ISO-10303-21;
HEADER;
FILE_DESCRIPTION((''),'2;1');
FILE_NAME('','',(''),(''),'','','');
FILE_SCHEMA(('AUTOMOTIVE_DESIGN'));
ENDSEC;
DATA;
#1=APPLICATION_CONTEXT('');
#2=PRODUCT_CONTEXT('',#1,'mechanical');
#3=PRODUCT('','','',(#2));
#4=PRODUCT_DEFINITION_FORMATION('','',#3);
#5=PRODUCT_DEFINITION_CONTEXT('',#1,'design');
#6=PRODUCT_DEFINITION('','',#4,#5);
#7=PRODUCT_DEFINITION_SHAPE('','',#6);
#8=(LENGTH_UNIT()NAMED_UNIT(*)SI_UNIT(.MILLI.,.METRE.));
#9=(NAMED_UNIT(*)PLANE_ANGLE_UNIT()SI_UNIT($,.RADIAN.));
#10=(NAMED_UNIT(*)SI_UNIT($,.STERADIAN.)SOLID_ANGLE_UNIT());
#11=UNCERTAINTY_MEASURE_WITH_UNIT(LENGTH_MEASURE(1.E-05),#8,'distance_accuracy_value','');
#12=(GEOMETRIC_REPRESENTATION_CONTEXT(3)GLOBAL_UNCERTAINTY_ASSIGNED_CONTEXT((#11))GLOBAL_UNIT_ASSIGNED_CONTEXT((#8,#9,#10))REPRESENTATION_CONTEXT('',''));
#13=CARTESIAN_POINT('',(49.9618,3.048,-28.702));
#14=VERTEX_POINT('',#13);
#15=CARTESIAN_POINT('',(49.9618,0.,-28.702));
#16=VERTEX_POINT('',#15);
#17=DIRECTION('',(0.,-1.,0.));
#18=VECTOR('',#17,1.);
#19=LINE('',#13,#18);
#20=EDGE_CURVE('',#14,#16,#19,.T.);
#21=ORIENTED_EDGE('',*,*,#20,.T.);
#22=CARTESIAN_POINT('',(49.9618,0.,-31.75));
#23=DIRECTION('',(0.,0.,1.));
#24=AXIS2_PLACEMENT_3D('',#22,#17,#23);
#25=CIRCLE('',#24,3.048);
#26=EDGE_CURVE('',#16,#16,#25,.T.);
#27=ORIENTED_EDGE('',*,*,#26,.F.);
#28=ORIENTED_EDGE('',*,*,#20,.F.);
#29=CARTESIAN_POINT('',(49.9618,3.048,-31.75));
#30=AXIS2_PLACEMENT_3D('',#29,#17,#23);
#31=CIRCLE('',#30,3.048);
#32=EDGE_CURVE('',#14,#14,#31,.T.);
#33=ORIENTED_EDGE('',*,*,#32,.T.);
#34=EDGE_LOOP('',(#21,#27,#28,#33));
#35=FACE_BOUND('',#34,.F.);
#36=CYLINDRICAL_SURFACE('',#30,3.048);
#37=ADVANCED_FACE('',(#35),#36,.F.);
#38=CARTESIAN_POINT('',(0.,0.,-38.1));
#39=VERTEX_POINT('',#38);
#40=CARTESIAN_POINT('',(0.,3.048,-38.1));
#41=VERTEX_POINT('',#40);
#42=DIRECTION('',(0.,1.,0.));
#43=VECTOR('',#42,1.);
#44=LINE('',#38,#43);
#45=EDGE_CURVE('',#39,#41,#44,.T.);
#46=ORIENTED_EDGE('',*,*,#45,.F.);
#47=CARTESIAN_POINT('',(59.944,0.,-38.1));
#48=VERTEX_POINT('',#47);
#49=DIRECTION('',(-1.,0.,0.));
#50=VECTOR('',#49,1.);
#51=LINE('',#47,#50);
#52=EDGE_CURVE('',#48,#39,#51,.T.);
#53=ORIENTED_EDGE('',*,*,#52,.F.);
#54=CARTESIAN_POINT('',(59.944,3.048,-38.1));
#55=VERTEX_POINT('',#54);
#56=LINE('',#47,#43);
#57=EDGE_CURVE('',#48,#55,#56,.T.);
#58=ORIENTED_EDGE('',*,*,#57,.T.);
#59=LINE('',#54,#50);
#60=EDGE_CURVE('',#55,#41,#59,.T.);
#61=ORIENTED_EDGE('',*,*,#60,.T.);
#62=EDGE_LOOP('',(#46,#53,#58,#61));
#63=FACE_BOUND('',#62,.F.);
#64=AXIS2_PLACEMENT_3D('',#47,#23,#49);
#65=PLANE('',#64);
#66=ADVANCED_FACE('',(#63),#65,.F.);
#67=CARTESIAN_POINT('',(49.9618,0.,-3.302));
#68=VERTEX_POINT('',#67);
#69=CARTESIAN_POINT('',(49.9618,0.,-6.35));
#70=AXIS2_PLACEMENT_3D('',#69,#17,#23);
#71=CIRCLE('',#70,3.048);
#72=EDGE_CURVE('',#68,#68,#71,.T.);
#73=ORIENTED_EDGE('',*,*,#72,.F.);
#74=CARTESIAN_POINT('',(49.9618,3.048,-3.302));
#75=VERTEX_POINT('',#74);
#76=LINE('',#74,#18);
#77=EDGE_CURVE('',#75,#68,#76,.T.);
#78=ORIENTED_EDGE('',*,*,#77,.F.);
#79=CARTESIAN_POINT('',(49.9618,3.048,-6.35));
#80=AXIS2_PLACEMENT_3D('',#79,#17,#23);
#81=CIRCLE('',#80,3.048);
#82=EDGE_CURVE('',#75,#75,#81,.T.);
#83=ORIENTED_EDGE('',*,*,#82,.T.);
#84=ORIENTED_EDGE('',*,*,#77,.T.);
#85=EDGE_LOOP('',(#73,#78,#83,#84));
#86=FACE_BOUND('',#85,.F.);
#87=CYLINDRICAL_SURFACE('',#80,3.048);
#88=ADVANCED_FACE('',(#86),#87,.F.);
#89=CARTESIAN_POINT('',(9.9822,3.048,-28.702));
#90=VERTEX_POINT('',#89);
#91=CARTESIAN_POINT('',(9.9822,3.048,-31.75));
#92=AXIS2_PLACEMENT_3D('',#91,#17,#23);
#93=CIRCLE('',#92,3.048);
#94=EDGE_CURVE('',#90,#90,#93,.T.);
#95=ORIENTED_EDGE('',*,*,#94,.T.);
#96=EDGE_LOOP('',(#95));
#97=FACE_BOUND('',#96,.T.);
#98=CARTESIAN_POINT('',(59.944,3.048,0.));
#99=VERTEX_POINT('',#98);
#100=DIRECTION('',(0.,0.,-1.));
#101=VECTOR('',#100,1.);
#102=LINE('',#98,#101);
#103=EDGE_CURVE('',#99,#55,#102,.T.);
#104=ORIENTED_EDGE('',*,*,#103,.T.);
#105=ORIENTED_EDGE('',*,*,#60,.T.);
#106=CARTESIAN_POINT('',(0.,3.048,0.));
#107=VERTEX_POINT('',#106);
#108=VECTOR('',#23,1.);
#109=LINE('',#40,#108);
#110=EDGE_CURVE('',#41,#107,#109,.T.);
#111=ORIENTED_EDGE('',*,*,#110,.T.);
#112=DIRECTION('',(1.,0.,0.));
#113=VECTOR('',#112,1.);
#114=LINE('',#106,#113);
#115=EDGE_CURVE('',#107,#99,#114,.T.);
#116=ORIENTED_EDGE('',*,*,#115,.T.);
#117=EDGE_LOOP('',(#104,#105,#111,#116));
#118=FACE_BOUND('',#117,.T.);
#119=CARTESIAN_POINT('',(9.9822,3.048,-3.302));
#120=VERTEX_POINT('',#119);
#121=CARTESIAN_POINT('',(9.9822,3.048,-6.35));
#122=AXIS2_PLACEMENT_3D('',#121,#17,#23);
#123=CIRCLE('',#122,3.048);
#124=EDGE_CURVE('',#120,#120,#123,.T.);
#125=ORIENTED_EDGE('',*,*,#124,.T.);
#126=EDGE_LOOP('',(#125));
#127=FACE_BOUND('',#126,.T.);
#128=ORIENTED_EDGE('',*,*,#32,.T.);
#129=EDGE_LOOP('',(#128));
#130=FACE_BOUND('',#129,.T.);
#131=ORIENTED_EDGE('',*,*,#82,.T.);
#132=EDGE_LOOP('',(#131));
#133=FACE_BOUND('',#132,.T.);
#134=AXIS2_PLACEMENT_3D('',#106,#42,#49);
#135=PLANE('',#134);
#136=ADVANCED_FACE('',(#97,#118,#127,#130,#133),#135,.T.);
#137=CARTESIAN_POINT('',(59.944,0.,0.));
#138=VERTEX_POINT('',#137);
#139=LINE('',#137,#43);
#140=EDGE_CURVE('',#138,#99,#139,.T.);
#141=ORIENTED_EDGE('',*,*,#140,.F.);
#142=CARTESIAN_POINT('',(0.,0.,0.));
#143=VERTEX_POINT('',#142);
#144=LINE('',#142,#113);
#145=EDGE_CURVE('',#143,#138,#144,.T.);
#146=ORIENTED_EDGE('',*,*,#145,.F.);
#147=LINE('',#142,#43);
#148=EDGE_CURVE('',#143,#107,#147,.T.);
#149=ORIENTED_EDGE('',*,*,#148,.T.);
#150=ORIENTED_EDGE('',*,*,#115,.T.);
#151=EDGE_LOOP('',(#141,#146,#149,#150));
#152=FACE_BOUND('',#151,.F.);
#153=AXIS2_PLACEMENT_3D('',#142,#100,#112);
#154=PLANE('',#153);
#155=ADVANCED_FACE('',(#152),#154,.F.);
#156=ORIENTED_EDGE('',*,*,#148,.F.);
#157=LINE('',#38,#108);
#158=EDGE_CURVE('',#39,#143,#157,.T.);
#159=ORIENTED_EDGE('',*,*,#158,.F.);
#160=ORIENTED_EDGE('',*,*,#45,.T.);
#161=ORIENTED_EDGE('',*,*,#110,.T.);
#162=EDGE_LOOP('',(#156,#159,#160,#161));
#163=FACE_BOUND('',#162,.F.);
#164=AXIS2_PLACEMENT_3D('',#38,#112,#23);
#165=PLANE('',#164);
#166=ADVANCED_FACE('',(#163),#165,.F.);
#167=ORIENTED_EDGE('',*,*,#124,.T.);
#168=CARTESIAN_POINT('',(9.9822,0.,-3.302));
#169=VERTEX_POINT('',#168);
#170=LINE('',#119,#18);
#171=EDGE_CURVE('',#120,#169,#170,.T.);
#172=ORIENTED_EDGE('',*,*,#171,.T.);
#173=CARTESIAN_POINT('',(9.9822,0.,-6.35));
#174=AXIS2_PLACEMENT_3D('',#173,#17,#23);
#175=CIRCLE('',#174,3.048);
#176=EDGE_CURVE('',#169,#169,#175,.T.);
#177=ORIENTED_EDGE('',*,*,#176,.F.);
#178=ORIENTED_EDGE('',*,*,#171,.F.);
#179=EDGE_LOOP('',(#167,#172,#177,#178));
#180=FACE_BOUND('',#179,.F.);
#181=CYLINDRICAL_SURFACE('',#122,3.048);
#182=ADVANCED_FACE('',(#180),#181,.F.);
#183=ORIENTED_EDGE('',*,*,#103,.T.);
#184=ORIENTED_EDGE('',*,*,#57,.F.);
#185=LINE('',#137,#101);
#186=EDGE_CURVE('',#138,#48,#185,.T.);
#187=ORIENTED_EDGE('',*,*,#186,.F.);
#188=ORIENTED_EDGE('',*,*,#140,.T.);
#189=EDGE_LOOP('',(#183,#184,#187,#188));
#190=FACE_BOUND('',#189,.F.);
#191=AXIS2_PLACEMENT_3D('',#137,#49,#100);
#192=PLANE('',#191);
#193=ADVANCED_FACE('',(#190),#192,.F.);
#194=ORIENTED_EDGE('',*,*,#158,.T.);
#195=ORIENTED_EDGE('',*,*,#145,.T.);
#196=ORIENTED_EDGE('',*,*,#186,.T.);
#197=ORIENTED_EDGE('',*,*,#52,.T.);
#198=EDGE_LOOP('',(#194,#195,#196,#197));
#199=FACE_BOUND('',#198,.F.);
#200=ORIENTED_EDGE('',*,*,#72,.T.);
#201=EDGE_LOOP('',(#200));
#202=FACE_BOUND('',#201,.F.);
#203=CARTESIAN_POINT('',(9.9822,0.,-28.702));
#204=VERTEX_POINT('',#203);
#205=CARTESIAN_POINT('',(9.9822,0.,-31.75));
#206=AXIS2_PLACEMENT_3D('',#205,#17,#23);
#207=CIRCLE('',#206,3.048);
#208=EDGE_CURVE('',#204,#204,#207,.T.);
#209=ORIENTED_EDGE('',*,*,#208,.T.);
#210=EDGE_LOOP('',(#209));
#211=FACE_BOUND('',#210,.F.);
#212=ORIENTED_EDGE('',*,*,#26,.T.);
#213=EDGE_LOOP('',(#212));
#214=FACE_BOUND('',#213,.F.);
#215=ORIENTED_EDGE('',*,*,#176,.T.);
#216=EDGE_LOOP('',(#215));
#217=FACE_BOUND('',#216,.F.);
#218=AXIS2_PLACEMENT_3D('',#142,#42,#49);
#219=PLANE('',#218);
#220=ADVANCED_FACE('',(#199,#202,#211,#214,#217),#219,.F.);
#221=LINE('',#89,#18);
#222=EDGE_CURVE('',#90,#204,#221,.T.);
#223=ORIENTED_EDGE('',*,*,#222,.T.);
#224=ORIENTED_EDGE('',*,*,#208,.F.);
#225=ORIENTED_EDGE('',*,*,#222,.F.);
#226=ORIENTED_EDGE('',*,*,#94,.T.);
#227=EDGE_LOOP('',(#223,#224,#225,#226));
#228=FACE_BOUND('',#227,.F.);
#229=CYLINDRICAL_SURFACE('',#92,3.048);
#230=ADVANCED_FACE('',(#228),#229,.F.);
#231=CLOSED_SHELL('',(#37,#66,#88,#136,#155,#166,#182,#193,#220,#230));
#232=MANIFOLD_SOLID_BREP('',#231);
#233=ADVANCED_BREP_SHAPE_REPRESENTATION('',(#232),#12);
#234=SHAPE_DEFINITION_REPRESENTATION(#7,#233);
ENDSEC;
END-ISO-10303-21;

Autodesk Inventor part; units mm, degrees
ref_plane "YZ Plane" through (0, 0, 0) normal (1, 0, 0) x (0, 1, 0)
ref_plane "XZ Plane" through (0, 0, 0) normal (0, 1, 0) x (-1, 0, 0)
ref_plane "XY Plane" through (0, 0, 0) normal (0, 0, 1) x (1, 0, 0)
sketch "Sketch1" plane through (0, 0, 0) normal (0, 1, 0) x (-1, 0, 0)
  line L0 (0, 0) -> (-59.944, 0)
  line L1 (-59.944, 0) -> (-59.944, -38.1)
  line L2 (-59.944, -38.1) -> (0, -38.1)
  line L3 (0, -38.1) -> (0, 0)
  dimension "d0" = 59.944
  dimension "d1" = 38.1
extrude "Plate1" add sketch "Sketch1" along normal blind 3.048
sketch "Sketch3" plane through (0, 3.048, 0) normal (0, 1, 0) x (1, 0, 0)
  line L0 (0, 0) -> (59.944, 0) projected
  line L1 (50.8, 0) -> (50.8, 38.1)
  line L2 (0, 0) -> (0, 38.1) projected
  line L3 (0, 38.1) -> (59.944, 38.1) projected
  line L4 (59.944, 38.1) -> (59.944, 0) projected
  point P0 (9.9822, 6.35)
  point P1 (9.9822, 31.75)
  point P2 (49.9618, 31.75)
  point P3 (49.9618, 6.35)
  dimension "d4" = 38.1
  dimension "d5" = 50.8
  dimension "d6" = 6.35
  dimension "d7" = 9.9822
  dimension "d8" = 9.9822
  dimension "d9" = 6.35
  dimension "d10" = 6.35
  dimension "d11" = 6.35
  dimension "d12" = 9.9822
  dimension "d13" = 9.9822
hole "Hole1" at (9.9822, 3.048, -6.35) at (9.9822, 3.048, -31.75) at (49.9618, 3.048, -31.75) at (49.9618, 3.048, -6.35) direction (0, -1, 0) diameter 6.096 end through all
equation "\"d19\" = Thickness"
equation "\"d2\" = Thickness"
equation "\"BendRadius\" = Thickness"
equation "\"BendReliefWidth\" = Thickness"
equation "\"BendReliefDepth\" = 0.5 * Thickness"
equation "\"CornerReliefSize\" = 4 * Thickness"
equation "\"MinimumRemnant\" = 2 * Thickness"
equation "\"TransitionRadius\" = BendRadius"
equation "\"JacobiRadiusSize\" = BendRadius"
equation "\"GapSize\" = Thickness"
equation "\"Thickness\" = 3.048"
properties part number "SensorBoxBraket"
